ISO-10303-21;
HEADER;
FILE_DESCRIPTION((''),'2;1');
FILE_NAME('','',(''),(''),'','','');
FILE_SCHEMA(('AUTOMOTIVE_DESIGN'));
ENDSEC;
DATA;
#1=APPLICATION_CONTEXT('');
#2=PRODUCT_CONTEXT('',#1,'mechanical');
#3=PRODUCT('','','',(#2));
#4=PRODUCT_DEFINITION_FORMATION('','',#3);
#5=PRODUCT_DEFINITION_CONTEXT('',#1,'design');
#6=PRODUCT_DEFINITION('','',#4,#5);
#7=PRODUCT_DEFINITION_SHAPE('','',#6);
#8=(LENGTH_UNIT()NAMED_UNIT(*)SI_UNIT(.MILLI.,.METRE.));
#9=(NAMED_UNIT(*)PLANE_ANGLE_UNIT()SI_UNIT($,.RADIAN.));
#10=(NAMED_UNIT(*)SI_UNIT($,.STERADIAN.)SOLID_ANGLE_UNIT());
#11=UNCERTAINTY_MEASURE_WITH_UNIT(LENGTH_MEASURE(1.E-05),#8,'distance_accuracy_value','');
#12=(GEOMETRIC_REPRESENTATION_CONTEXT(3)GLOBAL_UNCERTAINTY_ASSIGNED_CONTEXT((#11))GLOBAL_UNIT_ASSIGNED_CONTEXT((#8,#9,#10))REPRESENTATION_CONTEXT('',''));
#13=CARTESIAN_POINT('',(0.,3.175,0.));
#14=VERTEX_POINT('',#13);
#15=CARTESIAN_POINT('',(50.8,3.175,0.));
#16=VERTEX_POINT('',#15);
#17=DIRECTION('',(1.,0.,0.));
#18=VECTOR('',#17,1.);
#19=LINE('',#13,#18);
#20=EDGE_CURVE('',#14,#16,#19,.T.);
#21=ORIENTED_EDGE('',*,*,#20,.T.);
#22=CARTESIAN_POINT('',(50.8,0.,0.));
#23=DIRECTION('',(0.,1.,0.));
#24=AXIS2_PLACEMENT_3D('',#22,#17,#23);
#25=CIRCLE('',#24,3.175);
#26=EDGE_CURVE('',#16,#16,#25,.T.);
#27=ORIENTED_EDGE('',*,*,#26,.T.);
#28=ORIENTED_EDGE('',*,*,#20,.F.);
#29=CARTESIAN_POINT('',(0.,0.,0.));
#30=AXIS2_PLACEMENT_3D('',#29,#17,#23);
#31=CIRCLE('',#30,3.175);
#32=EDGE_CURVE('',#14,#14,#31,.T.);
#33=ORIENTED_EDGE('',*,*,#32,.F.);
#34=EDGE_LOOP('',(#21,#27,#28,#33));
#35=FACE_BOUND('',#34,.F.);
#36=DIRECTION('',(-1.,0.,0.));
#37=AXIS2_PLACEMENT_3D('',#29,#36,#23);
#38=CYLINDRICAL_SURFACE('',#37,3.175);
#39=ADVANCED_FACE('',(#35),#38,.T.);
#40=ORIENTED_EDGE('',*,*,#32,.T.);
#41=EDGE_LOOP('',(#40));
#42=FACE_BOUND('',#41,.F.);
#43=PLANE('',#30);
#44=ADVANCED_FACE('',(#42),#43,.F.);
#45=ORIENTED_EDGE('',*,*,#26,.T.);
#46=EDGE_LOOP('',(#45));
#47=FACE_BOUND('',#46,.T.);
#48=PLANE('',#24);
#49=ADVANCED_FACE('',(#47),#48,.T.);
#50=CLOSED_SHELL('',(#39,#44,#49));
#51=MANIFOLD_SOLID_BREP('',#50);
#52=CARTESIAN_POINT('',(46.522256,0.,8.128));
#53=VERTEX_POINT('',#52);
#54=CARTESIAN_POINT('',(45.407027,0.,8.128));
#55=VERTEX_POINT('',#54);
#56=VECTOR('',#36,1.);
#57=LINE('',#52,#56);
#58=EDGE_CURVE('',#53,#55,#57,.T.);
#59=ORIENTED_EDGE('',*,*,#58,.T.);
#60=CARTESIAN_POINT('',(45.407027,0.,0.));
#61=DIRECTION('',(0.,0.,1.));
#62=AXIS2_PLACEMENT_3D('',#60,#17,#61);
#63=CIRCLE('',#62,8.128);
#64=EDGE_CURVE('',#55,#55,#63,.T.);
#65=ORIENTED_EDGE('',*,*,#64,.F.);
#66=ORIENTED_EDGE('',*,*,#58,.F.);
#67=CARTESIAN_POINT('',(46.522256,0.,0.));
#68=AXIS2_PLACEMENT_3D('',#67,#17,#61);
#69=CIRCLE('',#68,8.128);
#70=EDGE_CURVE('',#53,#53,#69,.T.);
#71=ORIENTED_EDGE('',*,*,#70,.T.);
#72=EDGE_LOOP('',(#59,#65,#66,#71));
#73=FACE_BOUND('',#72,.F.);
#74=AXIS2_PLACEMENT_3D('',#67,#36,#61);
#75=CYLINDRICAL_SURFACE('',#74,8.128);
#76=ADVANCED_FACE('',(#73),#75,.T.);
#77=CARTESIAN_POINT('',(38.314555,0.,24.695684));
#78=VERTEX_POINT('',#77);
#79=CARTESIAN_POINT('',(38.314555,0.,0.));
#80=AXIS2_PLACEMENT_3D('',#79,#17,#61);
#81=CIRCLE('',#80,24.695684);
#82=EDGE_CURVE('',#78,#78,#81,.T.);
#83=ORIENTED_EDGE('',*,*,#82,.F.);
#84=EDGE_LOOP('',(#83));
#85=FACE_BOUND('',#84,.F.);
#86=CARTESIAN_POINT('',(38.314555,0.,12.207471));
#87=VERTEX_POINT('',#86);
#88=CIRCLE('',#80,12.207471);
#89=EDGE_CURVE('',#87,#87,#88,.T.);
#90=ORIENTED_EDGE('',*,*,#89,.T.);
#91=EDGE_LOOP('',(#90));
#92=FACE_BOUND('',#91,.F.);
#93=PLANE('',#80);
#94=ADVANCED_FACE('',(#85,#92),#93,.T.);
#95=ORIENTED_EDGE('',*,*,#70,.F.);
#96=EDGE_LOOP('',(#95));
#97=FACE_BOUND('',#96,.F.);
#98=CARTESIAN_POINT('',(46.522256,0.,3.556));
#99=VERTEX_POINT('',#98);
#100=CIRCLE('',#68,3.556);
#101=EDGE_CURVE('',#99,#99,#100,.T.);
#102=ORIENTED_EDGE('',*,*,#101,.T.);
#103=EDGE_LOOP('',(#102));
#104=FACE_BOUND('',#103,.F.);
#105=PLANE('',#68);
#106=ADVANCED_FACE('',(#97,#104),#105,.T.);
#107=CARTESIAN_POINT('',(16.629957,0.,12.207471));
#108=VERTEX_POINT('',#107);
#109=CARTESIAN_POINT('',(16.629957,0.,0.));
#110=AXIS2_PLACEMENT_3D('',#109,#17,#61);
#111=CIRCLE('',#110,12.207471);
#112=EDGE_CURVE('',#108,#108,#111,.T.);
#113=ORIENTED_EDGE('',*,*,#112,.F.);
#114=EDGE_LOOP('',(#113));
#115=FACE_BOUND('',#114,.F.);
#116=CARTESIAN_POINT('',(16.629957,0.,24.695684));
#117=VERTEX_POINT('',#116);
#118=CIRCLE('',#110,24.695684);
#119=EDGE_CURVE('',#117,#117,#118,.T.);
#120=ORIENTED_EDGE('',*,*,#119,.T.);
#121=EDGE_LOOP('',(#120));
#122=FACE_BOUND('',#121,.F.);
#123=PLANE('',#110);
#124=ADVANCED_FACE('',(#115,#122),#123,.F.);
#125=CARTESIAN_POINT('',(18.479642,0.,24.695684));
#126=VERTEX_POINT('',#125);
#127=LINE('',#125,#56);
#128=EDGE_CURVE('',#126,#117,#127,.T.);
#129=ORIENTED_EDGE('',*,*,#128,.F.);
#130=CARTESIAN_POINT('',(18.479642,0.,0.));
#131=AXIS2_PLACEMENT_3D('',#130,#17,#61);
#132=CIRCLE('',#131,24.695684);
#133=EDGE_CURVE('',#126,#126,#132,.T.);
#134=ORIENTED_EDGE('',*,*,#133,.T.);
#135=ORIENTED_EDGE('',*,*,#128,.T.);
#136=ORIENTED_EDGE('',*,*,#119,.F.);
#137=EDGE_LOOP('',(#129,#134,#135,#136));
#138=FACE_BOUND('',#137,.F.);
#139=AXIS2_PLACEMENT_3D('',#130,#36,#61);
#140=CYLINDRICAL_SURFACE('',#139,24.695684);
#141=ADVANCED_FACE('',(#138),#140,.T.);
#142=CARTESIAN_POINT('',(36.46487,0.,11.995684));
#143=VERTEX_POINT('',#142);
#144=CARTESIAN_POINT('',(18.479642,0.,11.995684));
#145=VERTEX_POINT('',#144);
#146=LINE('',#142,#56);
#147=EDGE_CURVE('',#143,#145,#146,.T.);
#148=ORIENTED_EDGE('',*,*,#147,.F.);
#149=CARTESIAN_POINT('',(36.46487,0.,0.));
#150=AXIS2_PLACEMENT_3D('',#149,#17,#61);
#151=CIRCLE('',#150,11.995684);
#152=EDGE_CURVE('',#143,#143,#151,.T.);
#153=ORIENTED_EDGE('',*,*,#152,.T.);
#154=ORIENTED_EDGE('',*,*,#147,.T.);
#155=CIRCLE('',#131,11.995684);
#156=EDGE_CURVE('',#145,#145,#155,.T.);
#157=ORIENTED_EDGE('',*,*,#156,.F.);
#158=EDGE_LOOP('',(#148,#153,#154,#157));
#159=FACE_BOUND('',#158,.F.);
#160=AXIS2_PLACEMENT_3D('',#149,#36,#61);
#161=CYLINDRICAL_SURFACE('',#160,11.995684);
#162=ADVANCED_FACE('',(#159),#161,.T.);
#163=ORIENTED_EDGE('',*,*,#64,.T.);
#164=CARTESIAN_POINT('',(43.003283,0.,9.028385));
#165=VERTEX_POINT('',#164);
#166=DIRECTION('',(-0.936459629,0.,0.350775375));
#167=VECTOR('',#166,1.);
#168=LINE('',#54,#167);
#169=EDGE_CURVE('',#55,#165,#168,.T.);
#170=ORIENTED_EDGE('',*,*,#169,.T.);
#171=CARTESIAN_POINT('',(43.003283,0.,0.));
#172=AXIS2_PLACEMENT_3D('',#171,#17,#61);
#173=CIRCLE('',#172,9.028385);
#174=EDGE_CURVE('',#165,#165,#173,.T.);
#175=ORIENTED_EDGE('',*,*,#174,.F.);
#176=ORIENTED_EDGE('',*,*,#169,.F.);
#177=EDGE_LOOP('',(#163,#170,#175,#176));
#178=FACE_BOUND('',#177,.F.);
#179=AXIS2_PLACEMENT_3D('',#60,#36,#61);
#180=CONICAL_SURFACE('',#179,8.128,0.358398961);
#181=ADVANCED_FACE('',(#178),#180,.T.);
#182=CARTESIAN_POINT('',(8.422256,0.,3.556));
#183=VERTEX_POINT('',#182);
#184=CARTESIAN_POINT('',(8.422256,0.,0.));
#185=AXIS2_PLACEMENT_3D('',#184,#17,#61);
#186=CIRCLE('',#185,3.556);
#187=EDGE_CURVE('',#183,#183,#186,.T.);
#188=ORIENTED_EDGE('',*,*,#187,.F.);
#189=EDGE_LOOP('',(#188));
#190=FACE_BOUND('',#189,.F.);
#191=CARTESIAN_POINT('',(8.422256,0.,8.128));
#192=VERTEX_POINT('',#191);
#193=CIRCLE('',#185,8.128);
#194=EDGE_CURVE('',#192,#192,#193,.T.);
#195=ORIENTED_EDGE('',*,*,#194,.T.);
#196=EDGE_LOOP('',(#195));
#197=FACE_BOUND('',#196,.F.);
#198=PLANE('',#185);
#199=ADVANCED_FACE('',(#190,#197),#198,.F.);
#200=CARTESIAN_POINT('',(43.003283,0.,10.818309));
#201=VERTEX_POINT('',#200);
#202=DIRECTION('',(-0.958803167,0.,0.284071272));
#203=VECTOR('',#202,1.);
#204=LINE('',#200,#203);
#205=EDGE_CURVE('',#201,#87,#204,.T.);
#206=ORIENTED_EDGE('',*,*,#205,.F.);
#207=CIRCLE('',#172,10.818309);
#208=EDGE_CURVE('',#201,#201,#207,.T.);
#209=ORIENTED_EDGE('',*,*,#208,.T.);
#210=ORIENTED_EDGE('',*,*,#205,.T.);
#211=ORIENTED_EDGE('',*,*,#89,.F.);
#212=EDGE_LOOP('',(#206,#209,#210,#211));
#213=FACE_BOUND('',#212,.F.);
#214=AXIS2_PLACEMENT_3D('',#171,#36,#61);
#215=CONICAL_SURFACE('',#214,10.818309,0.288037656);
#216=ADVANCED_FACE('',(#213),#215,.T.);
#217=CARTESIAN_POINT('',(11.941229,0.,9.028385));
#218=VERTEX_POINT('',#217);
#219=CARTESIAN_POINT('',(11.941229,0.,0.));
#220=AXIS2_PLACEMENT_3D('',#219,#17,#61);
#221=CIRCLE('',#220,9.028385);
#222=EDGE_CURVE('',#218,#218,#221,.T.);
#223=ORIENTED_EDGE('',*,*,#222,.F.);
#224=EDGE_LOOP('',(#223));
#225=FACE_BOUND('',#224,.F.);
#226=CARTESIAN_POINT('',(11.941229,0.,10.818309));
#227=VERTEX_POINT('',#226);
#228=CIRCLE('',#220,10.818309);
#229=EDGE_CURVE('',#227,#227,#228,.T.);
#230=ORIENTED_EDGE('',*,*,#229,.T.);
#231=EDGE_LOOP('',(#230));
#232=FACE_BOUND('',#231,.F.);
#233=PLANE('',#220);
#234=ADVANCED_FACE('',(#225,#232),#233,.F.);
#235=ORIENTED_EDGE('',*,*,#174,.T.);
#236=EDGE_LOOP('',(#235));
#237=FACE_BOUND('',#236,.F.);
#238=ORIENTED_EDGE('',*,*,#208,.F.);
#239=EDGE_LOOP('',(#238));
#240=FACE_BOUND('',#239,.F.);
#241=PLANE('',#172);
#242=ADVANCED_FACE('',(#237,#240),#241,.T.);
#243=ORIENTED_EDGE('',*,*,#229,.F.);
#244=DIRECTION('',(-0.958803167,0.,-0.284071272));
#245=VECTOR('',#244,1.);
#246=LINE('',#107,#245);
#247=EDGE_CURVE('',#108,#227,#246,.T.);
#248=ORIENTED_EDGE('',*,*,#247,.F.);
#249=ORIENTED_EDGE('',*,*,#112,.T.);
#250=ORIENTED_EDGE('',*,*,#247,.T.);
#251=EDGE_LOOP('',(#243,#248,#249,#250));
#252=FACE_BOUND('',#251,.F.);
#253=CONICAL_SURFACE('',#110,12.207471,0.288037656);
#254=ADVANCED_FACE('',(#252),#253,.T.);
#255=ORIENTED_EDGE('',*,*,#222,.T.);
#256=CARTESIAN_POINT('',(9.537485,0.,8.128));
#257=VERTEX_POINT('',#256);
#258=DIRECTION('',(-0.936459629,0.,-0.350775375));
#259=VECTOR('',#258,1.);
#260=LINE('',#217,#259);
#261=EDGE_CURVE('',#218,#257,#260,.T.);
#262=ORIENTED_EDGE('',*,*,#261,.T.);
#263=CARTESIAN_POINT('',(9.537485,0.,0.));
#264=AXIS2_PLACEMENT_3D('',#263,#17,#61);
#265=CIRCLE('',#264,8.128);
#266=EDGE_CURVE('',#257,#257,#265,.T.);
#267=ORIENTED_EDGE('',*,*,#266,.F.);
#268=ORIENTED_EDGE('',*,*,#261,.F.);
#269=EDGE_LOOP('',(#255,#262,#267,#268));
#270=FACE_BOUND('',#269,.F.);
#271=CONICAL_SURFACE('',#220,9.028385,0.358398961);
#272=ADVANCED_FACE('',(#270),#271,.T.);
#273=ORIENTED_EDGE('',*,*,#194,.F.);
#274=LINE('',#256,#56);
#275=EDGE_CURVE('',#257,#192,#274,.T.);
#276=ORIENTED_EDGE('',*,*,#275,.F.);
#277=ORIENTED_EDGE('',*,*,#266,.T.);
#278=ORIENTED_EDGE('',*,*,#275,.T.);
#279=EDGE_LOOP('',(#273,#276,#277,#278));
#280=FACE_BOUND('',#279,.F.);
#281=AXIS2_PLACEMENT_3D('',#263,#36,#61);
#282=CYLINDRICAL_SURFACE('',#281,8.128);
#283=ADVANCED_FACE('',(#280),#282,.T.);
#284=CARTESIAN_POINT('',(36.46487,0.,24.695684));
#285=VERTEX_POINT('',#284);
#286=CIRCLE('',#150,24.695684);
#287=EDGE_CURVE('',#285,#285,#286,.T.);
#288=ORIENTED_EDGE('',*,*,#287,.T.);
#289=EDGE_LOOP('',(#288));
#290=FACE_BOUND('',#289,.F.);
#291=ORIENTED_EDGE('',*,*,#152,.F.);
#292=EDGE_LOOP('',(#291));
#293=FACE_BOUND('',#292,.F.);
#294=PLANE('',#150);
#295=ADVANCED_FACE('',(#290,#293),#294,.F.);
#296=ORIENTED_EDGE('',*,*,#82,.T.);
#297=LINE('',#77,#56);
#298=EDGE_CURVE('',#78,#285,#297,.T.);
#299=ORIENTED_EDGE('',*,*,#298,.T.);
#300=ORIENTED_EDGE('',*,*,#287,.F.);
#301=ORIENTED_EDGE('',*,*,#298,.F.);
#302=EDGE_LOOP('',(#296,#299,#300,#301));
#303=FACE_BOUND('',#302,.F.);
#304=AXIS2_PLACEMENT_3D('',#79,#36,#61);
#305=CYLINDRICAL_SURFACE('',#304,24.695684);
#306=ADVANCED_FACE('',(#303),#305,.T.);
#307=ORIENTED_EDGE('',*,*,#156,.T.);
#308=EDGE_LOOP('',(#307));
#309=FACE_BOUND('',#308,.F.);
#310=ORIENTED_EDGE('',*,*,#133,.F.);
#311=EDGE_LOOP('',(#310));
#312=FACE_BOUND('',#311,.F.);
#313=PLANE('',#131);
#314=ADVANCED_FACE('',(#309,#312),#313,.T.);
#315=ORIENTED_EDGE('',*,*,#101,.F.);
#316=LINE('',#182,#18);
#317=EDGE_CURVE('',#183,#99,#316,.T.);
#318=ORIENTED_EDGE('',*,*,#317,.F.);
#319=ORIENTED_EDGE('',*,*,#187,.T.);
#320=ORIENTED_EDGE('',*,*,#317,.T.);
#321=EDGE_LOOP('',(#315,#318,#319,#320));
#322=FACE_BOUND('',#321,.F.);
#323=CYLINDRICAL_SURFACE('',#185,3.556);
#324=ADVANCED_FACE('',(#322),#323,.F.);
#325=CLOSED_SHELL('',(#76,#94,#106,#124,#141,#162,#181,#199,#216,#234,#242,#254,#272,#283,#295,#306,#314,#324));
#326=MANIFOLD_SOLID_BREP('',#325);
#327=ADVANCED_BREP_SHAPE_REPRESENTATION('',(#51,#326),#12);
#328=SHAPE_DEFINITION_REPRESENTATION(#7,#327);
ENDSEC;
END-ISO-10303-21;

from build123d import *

# Parameters (mm, degrees)
F0_R     = 3.175
F1_DEPTH = 50.8


with BuildPart() as f1:
    # F0 (on Right) → F1 (new body)
    with BuildSketch(Plane.YZ):
        Circle(F0_R)
    extrude(amount=F1_DEPTH)


with BuildPart() as f3:
    # F2 (on Front) → F3 (revolve)
    with BuildSketch(Plane.XZ):
        Polygon((8.422256, 8.128), (8.422256, 3.556), (46.522256, 3.556), (46.522256, 8.128), (45.407027, 8.128), (43.003283, 9.028385), (43.003283, 10.818309), (38.314555, 12.207471), (38.314555, 12.836852), (38.314555, 24.695684), (36.46487, 24.695684), (36.46487, 11.995684), (18.479642, 11.995684), (18.479642, 24.695684), (16.629957, 24.695684), (16.629957, 19.542553), (16.629957, 12.207471), (11.941229, 10.818309), (11.941229, 9.028385), (9.537485, 8.128), align=None)
    revolve(axis=Axis((27.472256, 0, 0), (1, 0, 0)))


solid = Compound([f1.part, f3.part])
